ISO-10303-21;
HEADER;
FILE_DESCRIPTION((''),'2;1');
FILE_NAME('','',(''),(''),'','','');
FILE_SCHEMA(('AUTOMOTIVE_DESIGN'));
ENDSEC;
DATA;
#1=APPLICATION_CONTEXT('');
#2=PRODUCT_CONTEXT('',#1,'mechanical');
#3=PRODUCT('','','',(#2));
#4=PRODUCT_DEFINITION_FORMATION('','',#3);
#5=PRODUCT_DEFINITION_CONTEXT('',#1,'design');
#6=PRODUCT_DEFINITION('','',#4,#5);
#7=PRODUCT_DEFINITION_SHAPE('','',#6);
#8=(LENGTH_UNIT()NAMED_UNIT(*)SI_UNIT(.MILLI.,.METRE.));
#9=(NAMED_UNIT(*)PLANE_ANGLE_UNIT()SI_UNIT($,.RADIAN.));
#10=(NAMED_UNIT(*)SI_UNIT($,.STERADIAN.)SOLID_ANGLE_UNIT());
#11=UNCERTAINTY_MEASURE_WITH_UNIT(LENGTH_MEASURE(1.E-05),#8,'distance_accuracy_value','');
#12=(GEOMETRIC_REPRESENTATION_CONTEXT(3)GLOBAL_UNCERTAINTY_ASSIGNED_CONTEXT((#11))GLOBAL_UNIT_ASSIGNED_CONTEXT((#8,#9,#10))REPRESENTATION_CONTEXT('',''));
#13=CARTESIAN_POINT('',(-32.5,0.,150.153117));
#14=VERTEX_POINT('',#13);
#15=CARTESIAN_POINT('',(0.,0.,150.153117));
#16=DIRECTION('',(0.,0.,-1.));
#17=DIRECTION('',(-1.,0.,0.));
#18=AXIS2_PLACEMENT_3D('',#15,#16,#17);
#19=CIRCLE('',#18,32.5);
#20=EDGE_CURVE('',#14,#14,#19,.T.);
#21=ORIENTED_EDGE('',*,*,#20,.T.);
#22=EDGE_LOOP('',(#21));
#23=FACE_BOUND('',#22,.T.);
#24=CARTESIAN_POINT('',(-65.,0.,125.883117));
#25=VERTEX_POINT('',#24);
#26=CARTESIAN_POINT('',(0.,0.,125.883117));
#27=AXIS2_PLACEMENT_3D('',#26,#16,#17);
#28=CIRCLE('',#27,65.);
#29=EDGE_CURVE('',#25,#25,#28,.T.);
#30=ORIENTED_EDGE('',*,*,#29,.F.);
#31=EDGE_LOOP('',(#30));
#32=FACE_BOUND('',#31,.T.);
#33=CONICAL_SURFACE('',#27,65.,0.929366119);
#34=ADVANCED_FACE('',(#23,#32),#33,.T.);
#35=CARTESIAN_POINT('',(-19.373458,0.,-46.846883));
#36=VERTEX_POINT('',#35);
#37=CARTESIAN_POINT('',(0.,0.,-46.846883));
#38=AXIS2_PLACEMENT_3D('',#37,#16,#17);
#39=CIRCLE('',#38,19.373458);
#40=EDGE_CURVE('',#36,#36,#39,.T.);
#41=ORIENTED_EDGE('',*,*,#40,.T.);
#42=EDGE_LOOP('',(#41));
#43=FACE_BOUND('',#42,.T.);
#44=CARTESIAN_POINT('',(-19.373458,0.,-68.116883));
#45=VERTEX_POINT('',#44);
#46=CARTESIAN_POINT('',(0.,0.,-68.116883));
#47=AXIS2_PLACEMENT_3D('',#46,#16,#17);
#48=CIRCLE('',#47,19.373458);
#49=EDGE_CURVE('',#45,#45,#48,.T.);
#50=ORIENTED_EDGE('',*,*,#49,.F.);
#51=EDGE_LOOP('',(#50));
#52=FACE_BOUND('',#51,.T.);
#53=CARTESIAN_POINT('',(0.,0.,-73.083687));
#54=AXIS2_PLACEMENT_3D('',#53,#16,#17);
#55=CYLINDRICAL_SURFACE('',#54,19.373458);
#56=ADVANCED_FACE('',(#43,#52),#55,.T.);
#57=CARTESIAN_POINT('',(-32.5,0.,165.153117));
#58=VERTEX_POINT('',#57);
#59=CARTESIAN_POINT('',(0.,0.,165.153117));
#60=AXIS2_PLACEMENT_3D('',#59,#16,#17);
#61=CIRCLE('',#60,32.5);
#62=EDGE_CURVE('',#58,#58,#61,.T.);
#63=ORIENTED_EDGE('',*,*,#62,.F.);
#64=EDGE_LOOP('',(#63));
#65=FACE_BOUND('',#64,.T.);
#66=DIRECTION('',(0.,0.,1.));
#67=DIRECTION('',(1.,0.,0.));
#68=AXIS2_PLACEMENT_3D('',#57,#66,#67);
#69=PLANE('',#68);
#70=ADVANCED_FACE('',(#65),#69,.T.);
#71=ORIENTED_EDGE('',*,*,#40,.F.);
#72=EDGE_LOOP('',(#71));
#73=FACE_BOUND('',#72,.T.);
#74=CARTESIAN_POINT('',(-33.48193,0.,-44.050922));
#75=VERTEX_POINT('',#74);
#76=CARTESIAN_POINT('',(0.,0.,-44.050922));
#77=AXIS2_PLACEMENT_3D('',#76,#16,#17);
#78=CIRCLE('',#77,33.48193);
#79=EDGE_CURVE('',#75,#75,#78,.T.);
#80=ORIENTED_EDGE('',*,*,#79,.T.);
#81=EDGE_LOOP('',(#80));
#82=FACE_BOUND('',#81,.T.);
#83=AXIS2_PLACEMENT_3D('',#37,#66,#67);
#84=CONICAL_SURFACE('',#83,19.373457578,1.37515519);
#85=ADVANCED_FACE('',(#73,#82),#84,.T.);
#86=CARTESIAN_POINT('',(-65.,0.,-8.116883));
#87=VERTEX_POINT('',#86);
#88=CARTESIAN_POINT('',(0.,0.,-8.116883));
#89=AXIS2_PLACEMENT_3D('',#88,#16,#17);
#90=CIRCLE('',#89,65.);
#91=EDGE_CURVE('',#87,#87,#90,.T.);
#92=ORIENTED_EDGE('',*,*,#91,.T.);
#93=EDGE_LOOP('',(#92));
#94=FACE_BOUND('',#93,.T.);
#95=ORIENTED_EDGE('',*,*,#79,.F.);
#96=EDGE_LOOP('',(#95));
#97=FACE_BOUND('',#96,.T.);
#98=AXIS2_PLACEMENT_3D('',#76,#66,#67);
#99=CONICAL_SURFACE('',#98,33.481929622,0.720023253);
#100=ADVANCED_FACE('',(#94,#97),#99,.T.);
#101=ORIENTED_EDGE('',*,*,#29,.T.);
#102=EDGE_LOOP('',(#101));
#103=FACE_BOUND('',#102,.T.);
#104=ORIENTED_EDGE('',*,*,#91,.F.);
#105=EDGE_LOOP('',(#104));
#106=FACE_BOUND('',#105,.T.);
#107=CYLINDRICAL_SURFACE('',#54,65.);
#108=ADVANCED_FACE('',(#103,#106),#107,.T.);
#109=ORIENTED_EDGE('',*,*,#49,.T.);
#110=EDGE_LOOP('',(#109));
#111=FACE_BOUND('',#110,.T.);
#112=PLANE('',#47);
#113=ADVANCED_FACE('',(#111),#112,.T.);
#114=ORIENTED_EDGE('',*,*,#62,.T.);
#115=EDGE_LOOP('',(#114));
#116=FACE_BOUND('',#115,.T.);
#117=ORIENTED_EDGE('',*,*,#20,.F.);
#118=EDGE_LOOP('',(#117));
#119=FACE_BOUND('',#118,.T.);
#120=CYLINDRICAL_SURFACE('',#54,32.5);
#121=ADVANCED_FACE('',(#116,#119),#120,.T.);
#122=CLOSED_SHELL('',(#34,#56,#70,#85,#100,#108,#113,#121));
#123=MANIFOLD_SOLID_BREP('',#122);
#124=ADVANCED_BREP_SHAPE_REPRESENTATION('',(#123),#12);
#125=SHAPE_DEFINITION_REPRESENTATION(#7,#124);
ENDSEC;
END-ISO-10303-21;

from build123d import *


with BuildPart() as part:
    # Sketch1 → Revolve1 (revolve)
    with BuildSketch(Plane(origin=(0, 0, 0), x_dir=(1, 0, 0), z_dir=(0, 1, 0))):
        Polygon((-33.481929622, 44.050922019), (-65, 8.116883117), (-65, -125.883116883), (-32.5, -150.153116883), (-32.5, -165.153116883), (0, -165.153116883), (0, -150.153116883), (0, 68.116883117), (-19.373457578, 68.116883117), (-19.373457578, 46.846883117), align=None)
    revolve(axis=Axis((0, 0, -73.083687066), (0, 0, 1)))


solid = part.part
